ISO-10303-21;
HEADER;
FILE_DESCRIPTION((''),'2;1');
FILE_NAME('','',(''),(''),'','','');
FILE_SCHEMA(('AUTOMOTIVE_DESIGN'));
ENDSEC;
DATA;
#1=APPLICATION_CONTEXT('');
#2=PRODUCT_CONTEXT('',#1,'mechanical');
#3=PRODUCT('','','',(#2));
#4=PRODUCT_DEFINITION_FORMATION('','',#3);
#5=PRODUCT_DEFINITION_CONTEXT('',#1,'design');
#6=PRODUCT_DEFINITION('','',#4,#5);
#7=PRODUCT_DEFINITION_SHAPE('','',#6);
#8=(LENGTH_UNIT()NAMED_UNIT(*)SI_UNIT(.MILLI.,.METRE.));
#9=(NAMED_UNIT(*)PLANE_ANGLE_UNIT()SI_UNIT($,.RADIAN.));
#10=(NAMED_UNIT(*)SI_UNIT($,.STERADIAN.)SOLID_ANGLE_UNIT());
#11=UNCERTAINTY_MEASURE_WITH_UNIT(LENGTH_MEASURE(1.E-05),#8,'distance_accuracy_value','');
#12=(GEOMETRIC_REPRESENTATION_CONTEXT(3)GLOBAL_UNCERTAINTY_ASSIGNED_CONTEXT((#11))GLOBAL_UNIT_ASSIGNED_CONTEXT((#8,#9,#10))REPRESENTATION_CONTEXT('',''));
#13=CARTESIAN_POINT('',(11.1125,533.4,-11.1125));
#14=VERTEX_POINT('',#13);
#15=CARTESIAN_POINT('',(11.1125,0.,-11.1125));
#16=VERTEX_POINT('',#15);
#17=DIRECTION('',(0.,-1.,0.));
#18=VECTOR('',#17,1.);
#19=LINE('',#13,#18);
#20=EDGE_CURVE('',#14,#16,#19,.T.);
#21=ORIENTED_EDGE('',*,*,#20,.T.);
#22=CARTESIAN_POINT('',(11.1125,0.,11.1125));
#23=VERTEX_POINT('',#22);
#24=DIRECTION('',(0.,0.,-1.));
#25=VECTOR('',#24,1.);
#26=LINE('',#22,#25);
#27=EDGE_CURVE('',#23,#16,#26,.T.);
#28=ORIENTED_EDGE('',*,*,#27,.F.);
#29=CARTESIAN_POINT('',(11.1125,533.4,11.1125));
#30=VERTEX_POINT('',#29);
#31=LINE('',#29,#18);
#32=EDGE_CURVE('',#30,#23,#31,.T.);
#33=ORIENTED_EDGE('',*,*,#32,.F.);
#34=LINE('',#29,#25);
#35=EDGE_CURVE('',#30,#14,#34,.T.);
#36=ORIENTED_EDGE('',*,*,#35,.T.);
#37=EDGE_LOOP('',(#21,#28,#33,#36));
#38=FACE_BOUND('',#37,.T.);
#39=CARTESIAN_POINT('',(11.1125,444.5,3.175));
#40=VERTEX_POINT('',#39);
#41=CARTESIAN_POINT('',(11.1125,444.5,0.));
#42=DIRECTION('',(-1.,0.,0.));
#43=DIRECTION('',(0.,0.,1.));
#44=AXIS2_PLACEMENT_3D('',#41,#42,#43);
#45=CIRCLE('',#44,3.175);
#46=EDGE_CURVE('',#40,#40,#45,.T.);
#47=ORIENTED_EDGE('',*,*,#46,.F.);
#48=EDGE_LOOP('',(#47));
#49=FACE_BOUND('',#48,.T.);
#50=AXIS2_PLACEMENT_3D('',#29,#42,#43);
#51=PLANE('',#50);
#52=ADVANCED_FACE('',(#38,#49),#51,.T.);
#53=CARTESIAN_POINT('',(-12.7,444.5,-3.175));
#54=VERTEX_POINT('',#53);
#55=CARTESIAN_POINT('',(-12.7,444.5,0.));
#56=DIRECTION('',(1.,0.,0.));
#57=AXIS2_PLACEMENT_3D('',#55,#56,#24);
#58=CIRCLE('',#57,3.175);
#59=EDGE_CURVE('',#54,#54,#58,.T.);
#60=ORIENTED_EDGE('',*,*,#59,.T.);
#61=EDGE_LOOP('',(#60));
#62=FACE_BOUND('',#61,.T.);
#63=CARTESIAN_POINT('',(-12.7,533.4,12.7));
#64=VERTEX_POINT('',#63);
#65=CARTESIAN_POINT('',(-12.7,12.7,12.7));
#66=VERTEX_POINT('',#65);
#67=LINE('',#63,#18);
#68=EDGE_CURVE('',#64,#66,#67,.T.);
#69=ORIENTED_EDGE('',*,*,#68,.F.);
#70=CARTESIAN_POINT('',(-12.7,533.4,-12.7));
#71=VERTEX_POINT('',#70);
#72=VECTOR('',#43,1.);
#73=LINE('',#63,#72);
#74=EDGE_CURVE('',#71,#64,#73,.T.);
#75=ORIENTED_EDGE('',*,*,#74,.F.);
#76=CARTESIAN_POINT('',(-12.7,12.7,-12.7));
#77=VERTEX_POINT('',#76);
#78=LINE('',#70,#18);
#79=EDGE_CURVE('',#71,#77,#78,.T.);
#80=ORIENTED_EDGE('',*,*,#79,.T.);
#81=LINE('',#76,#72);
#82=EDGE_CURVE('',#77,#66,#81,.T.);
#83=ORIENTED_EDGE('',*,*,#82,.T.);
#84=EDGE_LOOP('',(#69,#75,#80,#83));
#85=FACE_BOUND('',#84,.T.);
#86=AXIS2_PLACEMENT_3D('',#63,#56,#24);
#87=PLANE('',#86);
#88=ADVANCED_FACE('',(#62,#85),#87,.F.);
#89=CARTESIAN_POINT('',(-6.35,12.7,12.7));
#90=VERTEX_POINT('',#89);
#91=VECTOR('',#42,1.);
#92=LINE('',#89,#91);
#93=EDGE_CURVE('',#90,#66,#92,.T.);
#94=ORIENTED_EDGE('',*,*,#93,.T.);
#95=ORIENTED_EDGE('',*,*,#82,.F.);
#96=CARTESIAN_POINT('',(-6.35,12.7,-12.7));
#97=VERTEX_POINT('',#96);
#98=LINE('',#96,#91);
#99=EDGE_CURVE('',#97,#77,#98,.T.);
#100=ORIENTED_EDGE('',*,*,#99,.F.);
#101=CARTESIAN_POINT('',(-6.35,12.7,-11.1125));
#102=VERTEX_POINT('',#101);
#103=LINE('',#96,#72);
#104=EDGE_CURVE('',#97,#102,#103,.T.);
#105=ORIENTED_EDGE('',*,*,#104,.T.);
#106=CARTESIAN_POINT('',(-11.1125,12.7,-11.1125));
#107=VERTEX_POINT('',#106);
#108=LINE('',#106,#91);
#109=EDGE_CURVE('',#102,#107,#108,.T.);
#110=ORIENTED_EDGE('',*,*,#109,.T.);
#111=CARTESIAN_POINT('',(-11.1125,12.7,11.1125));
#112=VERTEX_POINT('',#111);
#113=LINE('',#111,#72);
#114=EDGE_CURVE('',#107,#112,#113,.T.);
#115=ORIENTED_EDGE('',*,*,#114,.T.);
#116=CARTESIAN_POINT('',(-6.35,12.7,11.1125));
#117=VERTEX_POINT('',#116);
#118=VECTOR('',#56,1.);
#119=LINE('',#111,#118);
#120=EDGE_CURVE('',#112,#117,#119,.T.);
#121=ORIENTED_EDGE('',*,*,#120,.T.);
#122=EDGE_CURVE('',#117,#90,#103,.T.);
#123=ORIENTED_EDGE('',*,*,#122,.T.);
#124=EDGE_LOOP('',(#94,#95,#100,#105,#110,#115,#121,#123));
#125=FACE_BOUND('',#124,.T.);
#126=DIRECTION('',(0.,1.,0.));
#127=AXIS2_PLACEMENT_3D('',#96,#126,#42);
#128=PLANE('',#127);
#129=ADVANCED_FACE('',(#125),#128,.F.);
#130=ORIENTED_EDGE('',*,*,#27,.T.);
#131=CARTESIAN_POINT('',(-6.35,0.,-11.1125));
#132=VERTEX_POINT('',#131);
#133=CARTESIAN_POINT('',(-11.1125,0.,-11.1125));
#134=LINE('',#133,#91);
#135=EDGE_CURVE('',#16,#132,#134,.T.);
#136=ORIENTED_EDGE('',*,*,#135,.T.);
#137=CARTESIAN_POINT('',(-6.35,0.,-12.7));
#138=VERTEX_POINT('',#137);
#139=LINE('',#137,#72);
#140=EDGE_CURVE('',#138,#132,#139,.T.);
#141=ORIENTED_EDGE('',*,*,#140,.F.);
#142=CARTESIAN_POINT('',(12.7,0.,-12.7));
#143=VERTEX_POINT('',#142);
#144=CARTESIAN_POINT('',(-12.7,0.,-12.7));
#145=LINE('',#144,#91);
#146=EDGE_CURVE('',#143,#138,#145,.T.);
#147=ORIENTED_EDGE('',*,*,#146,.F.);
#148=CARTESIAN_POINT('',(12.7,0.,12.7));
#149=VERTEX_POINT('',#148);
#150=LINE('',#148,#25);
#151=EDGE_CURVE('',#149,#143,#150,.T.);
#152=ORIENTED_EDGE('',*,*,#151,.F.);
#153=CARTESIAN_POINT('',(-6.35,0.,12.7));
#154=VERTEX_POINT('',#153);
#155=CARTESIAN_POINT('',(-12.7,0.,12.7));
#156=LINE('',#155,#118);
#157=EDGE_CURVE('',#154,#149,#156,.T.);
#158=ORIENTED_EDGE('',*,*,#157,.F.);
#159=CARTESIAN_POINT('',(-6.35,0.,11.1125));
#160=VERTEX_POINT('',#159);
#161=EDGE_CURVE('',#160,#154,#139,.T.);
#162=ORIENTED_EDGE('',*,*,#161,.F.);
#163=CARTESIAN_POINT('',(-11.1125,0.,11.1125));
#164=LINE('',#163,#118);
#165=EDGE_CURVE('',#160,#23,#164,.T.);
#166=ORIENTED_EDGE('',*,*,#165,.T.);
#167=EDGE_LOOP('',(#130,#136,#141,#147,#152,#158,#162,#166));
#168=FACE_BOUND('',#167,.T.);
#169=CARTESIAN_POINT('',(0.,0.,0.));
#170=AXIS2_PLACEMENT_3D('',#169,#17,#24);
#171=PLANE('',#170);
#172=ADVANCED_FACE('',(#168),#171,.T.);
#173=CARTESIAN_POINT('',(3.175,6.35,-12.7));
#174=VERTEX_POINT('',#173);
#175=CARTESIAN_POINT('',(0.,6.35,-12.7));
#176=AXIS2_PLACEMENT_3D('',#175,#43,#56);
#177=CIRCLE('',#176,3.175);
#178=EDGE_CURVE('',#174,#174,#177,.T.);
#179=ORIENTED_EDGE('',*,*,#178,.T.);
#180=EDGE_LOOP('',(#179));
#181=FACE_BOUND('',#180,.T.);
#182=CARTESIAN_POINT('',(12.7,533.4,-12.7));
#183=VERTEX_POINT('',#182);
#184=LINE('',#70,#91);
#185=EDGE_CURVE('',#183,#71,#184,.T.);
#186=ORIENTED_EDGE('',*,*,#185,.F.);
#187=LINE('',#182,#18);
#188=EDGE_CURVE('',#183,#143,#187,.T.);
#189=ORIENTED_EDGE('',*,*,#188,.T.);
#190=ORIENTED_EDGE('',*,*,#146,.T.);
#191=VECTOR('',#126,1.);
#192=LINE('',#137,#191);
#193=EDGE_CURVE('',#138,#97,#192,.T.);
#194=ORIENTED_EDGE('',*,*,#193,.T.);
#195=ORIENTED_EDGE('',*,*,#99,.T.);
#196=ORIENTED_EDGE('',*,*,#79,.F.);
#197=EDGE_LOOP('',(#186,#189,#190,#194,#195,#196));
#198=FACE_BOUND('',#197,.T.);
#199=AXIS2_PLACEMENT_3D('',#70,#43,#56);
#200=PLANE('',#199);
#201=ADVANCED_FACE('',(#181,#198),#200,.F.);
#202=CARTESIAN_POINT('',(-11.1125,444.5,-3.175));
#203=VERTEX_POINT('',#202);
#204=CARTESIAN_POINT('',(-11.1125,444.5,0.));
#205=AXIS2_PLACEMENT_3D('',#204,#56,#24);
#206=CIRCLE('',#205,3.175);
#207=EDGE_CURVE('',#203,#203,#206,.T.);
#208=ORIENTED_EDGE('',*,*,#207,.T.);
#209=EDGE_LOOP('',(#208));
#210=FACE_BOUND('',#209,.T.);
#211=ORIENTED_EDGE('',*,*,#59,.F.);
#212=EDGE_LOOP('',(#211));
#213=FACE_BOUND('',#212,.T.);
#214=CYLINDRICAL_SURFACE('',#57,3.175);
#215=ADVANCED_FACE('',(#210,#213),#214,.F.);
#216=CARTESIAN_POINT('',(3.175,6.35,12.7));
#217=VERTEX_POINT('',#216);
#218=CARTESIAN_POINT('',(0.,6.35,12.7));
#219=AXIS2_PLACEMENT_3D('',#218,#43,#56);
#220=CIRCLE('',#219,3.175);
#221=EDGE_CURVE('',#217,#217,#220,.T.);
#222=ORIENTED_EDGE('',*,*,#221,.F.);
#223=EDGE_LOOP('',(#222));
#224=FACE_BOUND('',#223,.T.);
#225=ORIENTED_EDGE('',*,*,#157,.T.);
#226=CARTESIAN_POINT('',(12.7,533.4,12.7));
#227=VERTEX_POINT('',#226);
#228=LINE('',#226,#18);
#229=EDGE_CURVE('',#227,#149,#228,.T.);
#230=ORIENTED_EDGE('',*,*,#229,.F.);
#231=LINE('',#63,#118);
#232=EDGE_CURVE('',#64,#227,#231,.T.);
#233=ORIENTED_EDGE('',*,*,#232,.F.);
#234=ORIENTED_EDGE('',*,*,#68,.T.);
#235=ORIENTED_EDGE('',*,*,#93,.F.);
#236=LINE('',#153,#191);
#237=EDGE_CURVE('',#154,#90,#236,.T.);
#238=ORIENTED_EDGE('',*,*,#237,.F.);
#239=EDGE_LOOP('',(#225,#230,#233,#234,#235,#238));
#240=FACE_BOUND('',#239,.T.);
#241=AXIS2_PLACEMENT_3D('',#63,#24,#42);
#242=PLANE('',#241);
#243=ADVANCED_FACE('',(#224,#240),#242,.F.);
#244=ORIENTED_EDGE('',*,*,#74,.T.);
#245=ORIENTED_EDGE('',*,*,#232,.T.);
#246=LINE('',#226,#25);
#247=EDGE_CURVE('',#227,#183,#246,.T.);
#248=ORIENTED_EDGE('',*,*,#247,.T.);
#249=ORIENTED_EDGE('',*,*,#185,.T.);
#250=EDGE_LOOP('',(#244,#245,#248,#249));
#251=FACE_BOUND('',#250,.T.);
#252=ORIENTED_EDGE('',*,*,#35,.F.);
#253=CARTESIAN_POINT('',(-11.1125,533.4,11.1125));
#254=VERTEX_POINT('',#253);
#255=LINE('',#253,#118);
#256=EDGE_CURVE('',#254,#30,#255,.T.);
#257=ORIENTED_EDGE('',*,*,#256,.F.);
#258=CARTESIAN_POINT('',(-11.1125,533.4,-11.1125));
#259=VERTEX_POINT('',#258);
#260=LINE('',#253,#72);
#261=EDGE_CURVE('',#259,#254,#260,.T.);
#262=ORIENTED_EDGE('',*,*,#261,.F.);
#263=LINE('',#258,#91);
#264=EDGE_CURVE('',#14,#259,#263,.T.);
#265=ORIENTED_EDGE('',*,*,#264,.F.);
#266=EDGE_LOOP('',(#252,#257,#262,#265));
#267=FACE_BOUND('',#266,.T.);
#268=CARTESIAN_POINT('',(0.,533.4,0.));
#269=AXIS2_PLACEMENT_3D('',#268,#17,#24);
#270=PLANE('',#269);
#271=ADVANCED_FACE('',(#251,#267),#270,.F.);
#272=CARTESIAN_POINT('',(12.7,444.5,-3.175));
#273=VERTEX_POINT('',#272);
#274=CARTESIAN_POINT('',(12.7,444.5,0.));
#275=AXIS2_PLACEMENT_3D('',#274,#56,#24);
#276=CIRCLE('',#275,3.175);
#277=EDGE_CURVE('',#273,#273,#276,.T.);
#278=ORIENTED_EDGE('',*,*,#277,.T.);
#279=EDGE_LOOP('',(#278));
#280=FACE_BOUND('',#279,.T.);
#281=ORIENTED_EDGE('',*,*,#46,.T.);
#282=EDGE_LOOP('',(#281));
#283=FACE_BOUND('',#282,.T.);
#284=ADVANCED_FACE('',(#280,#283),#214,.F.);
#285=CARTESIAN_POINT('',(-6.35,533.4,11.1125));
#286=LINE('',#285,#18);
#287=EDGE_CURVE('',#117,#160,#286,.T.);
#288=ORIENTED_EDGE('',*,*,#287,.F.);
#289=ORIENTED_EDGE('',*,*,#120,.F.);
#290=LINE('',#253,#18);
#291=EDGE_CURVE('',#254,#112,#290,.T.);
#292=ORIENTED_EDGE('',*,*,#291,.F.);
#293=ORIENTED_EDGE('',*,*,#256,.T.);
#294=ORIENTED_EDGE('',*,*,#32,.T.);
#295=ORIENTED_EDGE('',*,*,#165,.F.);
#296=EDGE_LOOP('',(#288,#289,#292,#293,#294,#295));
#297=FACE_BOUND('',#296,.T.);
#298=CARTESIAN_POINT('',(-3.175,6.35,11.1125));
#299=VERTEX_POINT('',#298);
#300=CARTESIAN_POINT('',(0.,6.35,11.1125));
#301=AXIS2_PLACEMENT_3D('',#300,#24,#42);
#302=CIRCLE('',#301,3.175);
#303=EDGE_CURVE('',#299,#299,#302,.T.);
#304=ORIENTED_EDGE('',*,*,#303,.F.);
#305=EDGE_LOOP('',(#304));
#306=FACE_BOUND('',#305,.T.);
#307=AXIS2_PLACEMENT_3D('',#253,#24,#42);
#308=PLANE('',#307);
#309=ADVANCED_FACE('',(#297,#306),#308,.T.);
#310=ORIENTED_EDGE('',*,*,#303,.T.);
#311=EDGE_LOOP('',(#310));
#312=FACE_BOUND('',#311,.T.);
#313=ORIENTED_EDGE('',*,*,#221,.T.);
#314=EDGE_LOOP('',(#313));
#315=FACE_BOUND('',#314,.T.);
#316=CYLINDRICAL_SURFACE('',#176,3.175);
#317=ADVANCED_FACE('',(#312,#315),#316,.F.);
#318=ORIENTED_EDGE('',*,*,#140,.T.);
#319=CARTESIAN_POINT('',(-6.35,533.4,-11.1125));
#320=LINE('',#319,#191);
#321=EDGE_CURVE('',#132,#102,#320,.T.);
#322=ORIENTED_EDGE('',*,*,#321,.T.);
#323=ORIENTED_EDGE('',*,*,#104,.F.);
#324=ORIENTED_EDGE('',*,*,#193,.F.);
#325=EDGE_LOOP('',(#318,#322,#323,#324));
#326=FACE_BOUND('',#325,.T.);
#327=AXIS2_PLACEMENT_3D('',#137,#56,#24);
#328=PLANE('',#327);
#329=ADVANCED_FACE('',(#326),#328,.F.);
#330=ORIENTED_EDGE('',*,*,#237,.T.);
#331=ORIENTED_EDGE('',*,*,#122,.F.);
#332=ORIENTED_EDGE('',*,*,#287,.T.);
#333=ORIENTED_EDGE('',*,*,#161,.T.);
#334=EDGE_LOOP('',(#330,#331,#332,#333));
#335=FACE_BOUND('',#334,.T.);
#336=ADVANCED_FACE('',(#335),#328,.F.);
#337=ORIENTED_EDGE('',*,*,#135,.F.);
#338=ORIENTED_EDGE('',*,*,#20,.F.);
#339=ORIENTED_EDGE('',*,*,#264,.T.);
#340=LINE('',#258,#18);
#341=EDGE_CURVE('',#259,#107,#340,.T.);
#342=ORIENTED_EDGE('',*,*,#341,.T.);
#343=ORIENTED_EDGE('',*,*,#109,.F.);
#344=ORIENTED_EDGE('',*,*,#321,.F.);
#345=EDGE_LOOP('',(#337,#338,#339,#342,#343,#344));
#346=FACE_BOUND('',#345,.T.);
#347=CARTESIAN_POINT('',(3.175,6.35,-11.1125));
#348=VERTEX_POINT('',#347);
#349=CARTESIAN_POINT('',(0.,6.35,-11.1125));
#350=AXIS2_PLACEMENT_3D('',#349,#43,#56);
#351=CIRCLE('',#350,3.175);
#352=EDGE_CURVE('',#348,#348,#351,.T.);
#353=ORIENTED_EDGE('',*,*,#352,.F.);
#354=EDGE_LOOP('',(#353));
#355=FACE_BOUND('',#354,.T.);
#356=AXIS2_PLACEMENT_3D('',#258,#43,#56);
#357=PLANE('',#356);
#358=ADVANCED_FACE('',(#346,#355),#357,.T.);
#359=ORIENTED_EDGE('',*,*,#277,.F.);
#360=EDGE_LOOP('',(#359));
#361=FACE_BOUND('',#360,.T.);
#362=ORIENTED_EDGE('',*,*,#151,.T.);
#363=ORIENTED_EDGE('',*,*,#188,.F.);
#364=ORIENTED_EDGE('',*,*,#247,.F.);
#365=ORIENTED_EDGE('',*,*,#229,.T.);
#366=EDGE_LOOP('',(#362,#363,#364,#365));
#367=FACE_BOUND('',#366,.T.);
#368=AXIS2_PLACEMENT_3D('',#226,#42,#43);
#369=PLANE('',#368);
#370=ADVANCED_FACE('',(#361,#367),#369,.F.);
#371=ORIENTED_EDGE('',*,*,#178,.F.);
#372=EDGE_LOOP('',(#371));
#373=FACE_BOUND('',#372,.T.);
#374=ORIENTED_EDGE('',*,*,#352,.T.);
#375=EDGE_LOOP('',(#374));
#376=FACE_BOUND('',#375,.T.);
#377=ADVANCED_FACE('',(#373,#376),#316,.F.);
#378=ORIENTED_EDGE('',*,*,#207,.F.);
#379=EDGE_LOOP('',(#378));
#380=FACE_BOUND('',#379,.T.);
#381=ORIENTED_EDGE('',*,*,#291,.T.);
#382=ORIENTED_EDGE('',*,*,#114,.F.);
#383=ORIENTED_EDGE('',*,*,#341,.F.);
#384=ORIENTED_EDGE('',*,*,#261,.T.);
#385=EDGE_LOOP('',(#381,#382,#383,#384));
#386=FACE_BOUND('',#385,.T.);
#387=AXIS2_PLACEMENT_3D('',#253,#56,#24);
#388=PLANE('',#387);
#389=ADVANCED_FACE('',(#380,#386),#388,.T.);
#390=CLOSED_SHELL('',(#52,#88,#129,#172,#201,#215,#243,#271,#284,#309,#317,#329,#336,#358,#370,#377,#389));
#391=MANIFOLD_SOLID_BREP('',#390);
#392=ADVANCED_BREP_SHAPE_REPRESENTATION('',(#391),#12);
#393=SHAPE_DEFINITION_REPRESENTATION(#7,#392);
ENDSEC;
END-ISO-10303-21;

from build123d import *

# Parameters (mm, degrees)
SKETCH1_W           = 25.4
SKETCH1_H           = 25.4
SKETCH1_W_2         = 22.225
SKETCH1_H_2         = 22.225
BOSS_EXTRUDE1_DEPTH = 533.4
SKETCH2_W           = 6.35
SKETCH2_H           = 12.7
CUT_EXTRUDE1_DEPTH  = 25.4
SKETCH3_R           = 3.175
CUT_EXTRUDE2_DEPTH  = 25.4
SKETCH4_R           = 3.175
CUT_EXTRUDE3_DEPTH  = 25.4


with BuildPart() as part:
    # Sketch1 → Boss-Extrude1 (new body)
    with BuildSketch(Plane(origin=(0, 0, 0), x_dir=(1, 0, 0), z_dir=(0, 1, 0))):
        Rectangle(SKETCH1_W, SKETCH1_H)
        Rectangle(SKETCH1_W_2, SKETCH1_H_2, mode=Mode.SUBTRACT)
    extrude(amount=BOSS_EXTRUDE1_DEPTH)

    # Sketch2 → Cut-Extrude1 (cut)
    with BuildSketch(Plane.XY.offset(12.7)):
        with Locations((-9.525, 6.35)):
            Rectangle(SKETCH2_W, SKETCH2_H)
    extrude(amount=-CUT_EXTRUDE1_DEPTH, mode=Mode.SUBTRACT)

    # Sketch3 → Cut-Extrude2 (cut)
    with BuildSketch(Plane.XY.offset(12.7)):
        with Locations((0, 6.35)):
            Circle(SKETCH3_R)
    extrude(amount=-CUT_EXTRUDE2_DEPTH, mode=Mode.SUBTRACT)

    # Sketch4 → Cut-Extrude3 (cut)
    with BuildSketch(Plane(origin=(12.7, 0, 0), x_dir=(0, 0, -1), z_dir=(1, 0, 0))):
        with Locations((0, 444.5)):
            Circle(SKETCH4_R)
    extrude(amount=-CUT_EXTRUDE3_DEPTH, mode=Mode.SUBTRACT)


solid = part.part
